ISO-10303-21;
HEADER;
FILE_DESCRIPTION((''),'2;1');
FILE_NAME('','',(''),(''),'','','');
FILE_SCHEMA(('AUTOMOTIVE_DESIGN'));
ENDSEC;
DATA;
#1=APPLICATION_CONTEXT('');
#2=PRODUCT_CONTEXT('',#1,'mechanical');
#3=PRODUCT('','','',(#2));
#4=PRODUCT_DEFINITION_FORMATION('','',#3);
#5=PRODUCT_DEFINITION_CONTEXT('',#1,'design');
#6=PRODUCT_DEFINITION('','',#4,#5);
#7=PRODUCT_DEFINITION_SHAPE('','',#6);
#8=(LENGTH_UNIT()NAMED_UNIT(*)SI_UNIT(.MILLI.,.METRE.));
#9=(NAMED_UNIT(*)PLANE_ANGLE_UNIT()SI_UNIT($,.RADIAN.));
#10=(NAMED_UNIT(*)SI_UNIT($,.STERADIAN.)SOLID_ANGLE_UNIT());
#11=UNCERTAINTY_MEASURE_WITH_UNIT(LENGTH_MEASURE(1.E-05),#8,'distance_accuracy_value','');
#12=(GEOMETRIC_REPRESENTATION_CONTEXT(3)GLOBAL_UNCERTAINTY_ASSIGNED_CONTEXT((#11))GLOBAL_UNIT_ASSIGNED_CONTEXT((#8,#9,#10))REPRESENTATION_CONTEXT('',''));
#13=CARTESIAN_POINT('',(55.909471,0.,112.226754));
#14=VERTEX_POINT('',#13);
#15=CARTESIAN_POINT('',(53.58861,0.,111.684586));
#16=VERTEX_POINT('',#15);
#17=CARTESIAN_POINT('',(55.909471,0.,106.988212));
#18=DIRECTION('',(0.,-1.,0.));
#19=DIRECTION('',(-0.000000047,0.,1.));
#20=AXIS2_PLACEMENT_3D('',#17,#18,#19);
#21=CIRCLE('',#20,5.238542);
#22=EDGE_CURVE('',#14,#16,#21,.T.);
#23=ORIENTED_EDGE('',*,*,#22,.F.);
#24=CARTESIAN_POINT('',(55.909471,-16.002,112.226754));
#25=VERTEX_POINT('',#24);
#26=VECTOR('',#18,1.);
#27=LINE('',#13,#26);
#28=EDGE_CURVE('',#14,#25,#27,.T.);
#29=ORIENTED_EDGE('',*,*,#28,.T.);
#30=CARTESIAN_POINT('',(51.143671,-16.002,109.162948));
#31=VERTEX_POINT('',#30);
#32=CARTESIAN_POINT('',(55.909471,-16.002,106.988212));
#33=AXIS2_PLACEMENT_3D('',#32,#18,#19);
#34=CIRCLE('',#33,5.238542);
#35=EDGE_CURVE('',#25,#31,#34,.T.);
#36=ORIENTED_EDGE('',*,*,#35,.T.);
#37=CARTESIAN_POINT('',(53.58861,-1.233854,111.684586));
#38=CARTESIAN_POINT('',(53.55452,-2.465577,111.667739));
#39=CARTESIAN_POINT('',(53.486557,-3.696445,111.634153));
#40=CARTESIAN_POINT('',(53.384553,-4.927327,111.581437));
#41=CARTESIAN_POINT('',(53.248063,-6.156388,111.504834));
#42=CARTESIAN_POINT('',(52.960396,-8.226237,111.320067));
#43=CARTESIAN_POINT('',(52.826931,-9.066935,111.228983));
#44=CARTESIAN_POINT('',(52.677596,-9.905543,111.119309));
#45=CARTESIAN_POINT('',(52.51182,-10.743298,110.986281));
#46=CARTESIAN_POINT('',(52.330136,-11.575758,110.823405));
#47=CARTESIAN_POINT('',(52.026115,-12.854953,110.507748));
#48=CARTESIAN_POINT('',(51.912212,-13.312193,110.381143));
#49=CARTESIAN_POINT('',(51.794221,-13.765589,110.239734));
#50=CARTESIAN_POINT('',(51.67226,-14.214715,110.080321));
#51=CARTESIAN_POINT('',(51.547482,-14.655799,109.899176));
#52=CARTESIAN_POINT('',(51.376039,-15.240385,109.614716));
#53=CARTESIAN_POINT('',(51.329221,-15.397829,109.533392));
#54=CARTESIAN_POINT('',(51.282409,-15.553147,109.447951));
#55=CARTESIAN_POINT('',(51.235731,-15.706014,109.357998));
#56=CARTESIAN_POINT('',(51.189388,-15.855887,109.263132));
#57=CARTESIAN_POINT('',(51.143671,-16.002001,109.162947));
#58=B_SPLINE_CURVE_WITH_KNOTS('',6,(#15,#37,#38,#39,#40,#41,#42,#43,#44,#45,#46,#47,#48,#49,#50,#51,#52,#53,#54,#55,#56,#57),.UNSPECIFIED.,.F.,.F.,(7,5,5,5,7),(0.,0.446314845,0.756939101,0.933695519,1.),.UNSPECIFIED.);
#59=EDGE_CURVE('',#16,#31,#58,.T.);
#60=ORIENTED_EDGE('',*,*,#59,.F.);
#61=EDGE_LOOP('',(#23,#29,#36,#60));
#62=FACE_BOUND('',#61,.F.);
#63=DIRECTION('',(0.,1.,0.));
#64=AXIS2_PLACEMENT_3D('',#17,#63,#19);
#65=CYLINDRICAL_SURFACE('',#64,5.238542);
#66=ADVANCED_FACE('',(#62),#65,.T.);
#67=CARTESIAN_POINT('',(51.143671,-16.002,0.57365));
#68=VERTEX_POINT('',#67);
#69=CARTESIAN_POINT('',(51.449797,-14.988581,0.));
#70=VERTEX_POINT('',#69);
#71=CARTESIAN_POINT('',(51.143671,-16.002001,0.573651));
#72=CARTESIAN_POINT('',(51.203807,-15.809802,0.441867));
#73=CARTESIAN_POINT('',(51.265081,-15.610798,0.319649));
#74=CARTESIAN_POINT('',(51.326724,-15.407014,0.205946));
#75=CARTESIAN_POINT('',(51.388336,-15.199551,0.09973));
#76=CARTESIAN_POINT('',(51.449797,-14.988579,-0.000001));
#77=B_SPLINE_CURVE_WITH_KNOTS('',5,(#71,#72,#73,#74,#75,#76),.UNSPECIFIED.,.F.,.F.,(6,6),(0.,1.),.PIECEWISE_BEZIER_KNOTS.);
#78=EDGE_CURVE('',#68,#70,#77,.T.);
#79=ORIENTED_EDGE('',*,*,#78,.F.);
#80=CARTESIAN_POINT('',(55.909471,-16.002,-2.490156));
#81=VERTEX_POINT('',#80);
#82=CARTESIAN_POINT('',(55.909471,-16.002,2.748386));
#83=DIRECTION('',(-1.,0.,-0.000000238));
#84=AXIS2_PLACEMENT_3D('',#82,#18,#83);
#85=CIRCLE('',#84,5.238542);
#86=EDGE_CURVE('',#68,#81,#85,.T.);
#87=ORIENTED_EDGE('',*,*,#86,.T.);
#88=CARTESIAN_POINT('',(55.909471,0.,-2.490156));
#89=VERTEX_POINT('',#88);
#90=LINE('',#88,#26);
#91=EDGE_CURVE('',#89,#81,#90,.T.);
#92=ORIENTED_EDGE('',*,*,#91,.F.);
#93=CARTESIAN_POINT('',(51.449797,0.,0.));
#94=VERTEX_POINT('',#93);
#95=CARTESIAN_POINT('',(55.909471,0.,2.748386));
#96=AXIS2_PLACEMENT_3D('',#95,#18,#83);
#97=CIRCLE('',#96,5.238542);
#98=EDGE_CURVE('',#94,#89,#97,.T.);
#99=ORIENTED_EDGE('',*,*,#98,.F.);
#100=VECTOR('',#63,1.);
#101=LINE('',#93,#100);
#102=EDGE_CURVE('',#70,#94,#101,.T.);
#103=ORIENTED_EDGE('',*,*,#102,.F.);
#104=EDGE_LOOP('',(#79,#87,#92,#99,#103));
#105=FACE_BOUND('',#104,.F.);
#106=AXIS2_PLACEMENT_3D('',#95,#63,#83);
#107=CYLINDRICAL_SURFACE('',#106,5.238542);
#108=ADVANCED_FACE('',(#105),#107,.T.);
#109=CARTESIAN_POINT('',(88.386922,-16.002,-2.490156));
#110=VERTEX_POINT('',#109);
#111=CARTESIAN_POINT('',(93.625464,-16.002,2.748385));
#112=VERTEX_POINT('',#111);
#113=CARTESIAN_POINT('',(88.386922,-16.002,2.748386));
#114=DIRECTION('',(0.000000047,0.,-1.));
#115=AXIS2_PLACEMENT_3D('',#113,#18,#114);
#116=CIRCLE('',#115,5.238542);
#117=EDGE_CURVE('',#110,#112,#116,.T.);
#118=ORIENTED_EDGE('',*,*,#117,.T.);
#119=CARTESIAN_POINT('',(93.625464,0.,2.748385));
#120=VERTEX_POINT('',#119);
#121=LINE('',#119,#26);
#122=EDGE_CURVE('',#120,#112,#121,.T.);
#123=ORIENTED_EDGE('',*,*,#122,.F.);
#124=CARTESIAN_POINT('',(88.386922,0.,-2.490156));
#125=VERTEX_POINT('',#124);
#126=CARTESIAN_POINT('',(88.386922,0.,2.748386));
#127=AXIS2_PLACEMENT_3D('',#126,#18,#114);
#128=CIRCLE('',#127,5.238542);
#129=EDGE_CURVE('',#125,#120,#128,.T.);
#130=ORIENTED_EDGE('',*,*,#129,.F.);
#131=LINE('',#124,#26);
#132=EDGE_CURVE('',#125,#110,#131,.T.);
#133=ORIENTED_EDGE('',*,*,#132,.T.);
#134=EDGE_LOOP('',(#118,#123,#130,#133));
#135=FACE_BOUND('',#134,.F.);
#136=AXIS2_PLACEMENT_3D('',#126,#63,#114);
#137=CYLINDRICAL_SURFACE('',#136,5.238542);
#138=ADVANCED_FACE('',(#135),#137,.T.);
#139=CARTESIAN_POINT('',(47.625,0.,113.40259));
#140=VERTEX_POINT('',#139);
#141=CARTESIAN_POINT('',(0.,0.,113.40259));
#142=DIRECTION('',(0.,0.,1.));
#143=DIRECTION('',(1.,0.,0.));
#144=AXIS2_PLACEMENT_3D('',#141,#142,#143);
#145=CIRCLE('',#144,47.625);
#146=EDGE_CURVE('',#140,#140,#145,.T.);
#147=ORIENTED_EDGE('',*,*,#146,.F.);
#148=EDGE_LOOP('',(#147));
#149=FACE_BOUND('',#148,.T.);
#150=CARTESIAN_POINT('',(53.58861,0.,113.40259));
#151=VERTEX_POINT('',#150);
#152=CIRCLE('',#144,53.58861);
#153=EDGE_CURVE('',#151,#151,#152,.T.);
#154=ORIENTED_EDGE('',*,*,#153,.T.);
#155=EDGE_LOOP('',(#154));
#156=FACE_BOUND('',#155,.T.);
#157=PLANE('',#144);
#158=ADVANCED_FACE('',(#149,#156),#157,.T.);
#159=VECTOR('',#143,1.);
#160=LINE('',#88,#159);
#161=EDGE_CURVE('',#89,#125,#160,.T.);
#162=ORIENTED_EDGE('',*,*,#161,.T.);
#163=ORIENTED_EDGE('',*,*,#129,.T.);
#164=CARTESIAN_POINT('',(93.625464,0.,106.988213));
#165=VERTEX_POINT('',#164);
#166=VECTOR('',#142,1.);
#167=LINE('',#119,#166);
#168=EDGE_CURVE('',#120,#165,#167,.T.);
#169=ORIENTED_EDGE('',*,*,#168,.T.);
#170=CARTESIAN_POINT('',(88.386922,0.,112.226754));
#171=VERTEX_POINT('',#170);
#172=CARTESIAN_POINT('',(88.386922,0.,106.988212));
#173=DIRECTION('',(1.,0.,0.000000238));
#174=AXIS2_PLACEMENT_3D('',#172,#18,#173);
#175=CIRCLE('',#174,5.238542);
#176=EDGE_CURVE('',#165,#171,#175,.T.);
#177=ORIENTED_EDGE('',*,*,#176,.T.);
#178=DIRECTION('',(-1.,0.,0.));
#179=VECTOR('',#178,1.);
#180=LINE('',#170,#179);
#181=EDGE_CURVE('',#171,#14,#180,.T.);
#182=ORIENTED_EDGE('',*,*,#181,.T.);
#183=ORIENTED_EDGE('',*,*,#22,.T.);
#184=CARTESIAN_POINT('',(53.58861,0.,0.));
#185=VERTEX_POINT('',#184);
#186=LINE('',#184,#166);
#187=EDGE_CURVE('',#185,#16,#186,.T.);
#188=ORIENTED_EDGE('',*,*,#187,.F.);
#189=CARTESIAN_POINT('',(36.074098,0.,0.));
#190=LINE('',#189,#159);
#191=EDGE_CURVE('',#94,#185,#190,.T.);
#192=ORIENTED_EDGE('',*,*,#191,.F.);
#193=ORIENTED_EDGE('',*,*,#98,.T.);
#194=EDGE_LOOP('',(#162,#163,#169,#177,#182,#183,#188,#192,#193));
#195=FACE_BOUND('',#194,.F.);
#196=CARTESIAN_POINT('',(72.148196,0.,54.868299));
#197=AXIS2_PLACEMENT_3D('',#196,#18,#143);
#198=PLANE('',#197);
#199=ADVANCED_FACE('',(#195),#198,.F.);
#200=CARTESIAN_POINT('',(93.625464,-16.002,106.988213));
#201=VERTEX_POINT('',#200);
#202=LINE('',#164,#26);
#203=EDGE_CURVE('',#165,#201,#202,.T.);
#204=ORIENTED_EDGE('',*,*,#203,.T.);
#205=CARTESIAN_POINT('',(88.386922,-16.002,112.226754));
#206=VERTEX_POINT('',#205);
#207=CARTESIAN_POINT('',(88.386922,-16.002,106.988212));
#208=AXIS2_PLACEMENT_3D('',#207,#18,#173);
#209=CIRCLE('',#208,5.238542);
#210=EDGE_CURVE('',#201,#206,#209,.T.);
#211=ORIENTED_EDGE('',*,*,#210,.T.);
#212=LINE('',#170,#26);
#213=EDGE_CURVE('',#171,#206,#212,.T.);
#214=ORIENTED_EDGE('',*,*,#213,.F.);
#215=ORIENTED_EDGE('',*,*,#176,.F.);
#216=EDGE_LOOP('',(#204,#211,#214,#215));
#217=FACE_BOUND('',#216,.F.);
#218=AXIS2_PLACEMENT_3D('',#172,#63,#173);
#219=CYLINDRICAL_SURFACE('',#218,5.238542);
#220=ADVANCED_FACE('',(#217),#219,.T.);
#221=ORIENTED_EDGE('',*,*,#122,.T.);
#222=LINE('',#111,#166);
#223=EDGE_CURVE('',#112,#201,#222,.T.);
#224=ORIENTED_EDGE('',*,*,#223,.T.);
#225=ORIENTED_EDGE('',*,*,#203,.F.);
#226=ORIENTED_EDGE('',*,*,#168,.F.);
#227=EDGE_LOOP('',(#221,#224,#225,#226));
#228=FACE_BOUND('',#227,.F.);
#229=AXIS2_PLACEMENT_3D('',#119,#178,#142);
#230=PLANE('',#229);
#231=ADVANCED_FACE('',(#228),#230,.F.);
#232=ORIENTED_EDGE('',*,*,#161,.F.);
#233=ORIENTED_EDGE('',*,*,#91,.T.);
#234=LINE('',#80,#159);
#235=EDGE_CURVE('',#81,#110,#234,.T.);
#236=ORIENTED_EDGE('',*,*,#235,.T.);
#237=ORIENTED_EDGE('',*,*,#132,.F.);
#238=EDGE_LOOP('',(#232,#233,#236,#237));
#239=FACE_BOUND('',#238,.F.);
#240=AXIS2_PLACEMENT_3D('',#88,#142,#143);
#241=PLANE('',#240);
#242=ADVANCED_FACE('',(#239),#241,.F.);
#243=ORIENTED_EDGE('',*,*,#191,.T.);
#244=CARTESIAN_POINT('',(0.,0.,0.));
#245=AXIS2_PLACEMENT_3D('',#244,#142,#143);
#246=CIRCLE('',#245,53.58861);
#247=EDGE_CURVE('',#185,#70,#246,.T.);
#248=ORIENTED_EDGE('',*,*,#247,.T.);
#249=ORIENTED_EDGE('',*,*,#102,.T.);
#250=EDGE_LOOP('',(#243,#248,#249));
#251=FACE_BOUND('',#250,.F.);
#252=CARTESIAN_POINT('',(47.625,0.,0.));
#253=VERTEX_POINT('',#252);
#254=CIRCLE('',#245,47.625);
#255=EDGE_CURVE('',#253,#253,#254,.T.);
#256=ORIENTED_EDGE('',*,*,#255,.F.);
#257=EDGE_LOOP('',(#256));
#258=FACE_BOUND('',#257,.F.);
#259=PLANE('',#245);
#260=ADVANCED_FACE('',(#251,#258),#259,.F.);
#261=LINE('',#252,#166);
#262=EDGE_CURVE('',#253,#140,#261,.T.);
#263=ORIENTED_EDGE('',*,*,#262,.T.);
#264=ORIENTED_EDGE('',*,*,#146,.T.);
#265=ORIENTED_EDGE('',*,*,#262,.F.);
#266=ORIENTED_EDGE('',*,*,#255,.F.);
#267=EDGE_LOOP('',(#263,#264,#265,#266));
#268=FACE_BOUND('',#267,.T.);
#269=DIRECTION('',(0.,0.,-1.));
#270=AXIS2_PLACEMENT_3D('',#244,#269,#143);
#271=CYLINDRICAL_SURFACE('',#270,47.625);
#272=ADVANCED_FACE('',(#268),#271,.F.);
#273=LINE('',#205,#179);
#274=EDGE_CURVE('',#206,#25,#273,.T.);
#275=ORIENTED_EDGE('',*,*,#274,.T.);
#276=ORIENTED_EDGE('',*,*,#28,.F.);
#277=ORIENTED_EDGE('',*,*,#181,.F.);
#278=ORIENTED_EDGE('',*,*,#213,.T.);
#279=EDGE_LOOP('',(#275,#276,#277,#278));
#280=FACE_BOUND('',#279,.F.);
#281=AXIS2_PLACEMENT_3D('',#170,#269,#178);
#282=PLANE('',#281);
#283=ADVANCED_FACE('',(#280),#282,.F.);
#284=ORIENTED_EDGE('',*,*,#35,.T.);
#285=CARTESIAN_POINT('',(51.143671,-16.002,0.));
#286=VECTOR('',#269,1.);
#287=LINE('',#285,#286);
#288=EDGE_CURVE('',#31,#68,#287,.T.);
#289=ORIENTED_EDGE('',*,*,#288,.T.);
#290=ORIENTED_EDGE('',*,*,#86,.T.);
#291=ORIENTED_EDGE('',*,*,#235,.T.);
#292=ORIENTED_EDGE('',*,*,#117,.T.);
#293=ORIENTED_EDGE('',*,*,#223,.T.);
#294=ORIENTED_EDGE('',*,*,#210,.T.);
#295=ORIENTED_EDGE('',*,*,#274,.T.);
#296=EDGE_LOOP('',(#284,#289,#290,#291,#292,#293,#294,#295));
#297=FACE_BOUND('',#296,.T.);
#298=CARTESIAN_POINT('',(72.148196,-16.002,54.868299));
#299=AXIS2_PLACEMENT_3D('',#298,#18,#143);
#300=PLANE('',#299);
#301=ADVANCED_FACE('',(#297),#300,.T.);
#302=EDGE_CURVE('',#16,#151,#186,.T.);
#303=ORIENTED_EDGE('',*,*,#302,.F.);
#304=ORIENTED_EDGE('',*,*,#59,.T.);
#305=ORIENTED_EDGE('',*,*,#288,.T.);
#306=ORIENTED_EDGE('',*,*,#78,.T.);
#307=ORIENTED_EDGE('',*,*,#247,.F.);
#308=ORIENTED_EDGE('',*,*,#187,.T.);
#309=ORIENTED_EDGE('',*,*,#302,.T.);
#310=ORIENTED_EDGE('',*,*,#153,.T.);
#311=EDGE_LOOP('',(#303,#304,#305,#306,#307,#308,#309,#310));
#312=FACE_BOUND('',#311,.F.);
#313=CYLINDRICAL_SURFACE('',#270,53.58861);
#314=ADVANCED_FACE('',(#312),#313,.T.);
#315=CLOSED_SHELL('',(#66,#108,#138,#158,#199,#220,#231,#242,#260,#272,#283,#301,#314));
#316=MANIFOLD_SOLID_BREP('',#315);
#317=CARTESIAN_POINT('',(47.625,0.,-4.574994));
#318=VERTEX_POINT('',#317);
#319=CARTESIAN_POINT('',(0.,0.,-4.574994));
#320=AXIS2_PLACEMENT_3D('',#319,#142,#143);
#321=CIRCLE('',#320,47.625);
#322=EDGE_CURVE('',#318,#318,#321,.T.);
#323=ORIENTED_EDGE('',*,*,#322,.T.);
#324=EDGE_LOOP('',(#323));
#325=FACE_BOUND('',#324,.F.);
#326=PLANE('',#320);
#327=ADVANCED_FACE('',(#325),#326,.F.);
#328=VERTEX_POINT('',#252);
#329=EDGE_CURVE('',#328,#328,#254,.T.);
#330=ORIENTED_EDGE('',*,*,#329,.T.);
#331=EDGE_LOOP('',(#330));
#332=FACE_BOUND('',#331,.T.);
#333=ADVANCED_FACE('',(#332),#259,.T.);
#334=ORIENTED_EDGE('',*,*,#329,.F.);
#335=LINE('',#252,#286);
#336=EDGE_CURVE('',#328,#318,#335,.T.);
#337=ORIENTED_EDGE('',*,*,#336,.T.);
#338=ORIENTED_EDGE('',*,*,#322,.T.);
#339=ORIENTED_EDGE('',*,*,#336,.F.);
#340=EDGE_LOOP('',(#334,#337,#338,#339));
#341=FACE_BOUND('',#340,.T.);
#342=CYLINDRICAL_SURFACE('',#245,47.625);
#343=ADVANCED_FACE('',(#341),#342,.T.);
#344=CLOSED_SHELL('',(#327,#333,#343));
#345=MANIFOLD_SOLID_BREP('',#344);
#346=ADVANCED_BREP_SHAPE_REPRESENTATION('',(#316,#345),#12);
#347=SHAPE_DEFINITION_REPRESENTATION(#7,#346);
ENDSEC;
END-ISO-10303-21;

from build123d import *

# Parameters (mm, degrees)
F0_R     = 53.58861
F0_R_2   = 47.625
F1_DEPTH = 113.40259
F2_DEPTH = 4.574994
F4_DEPTH = 16.002


with BuildPart() as f1:
    # F0 (on Top) → F1 (new body)
    with BuildSketch(Plane.XY):
        Circle(F0_R)
        Circle(F0_R_2, mode=Mode.SUBTRACT)
    extrude(amount=F1_DEPTH)

    # F3 (on Front) → F4 (join)
    with BuildSketch(Plane.XZ):
        with BuildLine():
            Line((88.386922, 112.226754), (55.909471, 112.226754))
            ThreePointArc((55.909471, 112.226754), (52.205263, 110.692421), (50.670929, 106.988213))
            Line((50.670929, 106.988213), (50.670929, 2.748385))
            ThreePointArc((50.670929, 2.748385), (52.205263, -0.955823), (55.909471, -2.490156))
            Line((55.909471, -2.490156), (88.386922, -2.490156))
            ThreePointArc((88.386922, -2.490156), (92.09113, -0.955823), (93.625464, 2.748385))
            Line((93.625464, 2.748385), (93.625464, 106.988213))
            ThreePointArc((93.625464, 106.988213), (92.09113, 110.692421), (88.386922, 112.226754))
        make_face()
    extrude(amount=F4_DEPTH)


with BuildPart() as f2:
    # F0 (on Top) → F2 (new body)
    with BuildSketch(Plane.XY):
        Circle(F0_R_2)
    extrude(amount=-F2_DEPTH)


solid = Compound([f1.part, f2.part])
